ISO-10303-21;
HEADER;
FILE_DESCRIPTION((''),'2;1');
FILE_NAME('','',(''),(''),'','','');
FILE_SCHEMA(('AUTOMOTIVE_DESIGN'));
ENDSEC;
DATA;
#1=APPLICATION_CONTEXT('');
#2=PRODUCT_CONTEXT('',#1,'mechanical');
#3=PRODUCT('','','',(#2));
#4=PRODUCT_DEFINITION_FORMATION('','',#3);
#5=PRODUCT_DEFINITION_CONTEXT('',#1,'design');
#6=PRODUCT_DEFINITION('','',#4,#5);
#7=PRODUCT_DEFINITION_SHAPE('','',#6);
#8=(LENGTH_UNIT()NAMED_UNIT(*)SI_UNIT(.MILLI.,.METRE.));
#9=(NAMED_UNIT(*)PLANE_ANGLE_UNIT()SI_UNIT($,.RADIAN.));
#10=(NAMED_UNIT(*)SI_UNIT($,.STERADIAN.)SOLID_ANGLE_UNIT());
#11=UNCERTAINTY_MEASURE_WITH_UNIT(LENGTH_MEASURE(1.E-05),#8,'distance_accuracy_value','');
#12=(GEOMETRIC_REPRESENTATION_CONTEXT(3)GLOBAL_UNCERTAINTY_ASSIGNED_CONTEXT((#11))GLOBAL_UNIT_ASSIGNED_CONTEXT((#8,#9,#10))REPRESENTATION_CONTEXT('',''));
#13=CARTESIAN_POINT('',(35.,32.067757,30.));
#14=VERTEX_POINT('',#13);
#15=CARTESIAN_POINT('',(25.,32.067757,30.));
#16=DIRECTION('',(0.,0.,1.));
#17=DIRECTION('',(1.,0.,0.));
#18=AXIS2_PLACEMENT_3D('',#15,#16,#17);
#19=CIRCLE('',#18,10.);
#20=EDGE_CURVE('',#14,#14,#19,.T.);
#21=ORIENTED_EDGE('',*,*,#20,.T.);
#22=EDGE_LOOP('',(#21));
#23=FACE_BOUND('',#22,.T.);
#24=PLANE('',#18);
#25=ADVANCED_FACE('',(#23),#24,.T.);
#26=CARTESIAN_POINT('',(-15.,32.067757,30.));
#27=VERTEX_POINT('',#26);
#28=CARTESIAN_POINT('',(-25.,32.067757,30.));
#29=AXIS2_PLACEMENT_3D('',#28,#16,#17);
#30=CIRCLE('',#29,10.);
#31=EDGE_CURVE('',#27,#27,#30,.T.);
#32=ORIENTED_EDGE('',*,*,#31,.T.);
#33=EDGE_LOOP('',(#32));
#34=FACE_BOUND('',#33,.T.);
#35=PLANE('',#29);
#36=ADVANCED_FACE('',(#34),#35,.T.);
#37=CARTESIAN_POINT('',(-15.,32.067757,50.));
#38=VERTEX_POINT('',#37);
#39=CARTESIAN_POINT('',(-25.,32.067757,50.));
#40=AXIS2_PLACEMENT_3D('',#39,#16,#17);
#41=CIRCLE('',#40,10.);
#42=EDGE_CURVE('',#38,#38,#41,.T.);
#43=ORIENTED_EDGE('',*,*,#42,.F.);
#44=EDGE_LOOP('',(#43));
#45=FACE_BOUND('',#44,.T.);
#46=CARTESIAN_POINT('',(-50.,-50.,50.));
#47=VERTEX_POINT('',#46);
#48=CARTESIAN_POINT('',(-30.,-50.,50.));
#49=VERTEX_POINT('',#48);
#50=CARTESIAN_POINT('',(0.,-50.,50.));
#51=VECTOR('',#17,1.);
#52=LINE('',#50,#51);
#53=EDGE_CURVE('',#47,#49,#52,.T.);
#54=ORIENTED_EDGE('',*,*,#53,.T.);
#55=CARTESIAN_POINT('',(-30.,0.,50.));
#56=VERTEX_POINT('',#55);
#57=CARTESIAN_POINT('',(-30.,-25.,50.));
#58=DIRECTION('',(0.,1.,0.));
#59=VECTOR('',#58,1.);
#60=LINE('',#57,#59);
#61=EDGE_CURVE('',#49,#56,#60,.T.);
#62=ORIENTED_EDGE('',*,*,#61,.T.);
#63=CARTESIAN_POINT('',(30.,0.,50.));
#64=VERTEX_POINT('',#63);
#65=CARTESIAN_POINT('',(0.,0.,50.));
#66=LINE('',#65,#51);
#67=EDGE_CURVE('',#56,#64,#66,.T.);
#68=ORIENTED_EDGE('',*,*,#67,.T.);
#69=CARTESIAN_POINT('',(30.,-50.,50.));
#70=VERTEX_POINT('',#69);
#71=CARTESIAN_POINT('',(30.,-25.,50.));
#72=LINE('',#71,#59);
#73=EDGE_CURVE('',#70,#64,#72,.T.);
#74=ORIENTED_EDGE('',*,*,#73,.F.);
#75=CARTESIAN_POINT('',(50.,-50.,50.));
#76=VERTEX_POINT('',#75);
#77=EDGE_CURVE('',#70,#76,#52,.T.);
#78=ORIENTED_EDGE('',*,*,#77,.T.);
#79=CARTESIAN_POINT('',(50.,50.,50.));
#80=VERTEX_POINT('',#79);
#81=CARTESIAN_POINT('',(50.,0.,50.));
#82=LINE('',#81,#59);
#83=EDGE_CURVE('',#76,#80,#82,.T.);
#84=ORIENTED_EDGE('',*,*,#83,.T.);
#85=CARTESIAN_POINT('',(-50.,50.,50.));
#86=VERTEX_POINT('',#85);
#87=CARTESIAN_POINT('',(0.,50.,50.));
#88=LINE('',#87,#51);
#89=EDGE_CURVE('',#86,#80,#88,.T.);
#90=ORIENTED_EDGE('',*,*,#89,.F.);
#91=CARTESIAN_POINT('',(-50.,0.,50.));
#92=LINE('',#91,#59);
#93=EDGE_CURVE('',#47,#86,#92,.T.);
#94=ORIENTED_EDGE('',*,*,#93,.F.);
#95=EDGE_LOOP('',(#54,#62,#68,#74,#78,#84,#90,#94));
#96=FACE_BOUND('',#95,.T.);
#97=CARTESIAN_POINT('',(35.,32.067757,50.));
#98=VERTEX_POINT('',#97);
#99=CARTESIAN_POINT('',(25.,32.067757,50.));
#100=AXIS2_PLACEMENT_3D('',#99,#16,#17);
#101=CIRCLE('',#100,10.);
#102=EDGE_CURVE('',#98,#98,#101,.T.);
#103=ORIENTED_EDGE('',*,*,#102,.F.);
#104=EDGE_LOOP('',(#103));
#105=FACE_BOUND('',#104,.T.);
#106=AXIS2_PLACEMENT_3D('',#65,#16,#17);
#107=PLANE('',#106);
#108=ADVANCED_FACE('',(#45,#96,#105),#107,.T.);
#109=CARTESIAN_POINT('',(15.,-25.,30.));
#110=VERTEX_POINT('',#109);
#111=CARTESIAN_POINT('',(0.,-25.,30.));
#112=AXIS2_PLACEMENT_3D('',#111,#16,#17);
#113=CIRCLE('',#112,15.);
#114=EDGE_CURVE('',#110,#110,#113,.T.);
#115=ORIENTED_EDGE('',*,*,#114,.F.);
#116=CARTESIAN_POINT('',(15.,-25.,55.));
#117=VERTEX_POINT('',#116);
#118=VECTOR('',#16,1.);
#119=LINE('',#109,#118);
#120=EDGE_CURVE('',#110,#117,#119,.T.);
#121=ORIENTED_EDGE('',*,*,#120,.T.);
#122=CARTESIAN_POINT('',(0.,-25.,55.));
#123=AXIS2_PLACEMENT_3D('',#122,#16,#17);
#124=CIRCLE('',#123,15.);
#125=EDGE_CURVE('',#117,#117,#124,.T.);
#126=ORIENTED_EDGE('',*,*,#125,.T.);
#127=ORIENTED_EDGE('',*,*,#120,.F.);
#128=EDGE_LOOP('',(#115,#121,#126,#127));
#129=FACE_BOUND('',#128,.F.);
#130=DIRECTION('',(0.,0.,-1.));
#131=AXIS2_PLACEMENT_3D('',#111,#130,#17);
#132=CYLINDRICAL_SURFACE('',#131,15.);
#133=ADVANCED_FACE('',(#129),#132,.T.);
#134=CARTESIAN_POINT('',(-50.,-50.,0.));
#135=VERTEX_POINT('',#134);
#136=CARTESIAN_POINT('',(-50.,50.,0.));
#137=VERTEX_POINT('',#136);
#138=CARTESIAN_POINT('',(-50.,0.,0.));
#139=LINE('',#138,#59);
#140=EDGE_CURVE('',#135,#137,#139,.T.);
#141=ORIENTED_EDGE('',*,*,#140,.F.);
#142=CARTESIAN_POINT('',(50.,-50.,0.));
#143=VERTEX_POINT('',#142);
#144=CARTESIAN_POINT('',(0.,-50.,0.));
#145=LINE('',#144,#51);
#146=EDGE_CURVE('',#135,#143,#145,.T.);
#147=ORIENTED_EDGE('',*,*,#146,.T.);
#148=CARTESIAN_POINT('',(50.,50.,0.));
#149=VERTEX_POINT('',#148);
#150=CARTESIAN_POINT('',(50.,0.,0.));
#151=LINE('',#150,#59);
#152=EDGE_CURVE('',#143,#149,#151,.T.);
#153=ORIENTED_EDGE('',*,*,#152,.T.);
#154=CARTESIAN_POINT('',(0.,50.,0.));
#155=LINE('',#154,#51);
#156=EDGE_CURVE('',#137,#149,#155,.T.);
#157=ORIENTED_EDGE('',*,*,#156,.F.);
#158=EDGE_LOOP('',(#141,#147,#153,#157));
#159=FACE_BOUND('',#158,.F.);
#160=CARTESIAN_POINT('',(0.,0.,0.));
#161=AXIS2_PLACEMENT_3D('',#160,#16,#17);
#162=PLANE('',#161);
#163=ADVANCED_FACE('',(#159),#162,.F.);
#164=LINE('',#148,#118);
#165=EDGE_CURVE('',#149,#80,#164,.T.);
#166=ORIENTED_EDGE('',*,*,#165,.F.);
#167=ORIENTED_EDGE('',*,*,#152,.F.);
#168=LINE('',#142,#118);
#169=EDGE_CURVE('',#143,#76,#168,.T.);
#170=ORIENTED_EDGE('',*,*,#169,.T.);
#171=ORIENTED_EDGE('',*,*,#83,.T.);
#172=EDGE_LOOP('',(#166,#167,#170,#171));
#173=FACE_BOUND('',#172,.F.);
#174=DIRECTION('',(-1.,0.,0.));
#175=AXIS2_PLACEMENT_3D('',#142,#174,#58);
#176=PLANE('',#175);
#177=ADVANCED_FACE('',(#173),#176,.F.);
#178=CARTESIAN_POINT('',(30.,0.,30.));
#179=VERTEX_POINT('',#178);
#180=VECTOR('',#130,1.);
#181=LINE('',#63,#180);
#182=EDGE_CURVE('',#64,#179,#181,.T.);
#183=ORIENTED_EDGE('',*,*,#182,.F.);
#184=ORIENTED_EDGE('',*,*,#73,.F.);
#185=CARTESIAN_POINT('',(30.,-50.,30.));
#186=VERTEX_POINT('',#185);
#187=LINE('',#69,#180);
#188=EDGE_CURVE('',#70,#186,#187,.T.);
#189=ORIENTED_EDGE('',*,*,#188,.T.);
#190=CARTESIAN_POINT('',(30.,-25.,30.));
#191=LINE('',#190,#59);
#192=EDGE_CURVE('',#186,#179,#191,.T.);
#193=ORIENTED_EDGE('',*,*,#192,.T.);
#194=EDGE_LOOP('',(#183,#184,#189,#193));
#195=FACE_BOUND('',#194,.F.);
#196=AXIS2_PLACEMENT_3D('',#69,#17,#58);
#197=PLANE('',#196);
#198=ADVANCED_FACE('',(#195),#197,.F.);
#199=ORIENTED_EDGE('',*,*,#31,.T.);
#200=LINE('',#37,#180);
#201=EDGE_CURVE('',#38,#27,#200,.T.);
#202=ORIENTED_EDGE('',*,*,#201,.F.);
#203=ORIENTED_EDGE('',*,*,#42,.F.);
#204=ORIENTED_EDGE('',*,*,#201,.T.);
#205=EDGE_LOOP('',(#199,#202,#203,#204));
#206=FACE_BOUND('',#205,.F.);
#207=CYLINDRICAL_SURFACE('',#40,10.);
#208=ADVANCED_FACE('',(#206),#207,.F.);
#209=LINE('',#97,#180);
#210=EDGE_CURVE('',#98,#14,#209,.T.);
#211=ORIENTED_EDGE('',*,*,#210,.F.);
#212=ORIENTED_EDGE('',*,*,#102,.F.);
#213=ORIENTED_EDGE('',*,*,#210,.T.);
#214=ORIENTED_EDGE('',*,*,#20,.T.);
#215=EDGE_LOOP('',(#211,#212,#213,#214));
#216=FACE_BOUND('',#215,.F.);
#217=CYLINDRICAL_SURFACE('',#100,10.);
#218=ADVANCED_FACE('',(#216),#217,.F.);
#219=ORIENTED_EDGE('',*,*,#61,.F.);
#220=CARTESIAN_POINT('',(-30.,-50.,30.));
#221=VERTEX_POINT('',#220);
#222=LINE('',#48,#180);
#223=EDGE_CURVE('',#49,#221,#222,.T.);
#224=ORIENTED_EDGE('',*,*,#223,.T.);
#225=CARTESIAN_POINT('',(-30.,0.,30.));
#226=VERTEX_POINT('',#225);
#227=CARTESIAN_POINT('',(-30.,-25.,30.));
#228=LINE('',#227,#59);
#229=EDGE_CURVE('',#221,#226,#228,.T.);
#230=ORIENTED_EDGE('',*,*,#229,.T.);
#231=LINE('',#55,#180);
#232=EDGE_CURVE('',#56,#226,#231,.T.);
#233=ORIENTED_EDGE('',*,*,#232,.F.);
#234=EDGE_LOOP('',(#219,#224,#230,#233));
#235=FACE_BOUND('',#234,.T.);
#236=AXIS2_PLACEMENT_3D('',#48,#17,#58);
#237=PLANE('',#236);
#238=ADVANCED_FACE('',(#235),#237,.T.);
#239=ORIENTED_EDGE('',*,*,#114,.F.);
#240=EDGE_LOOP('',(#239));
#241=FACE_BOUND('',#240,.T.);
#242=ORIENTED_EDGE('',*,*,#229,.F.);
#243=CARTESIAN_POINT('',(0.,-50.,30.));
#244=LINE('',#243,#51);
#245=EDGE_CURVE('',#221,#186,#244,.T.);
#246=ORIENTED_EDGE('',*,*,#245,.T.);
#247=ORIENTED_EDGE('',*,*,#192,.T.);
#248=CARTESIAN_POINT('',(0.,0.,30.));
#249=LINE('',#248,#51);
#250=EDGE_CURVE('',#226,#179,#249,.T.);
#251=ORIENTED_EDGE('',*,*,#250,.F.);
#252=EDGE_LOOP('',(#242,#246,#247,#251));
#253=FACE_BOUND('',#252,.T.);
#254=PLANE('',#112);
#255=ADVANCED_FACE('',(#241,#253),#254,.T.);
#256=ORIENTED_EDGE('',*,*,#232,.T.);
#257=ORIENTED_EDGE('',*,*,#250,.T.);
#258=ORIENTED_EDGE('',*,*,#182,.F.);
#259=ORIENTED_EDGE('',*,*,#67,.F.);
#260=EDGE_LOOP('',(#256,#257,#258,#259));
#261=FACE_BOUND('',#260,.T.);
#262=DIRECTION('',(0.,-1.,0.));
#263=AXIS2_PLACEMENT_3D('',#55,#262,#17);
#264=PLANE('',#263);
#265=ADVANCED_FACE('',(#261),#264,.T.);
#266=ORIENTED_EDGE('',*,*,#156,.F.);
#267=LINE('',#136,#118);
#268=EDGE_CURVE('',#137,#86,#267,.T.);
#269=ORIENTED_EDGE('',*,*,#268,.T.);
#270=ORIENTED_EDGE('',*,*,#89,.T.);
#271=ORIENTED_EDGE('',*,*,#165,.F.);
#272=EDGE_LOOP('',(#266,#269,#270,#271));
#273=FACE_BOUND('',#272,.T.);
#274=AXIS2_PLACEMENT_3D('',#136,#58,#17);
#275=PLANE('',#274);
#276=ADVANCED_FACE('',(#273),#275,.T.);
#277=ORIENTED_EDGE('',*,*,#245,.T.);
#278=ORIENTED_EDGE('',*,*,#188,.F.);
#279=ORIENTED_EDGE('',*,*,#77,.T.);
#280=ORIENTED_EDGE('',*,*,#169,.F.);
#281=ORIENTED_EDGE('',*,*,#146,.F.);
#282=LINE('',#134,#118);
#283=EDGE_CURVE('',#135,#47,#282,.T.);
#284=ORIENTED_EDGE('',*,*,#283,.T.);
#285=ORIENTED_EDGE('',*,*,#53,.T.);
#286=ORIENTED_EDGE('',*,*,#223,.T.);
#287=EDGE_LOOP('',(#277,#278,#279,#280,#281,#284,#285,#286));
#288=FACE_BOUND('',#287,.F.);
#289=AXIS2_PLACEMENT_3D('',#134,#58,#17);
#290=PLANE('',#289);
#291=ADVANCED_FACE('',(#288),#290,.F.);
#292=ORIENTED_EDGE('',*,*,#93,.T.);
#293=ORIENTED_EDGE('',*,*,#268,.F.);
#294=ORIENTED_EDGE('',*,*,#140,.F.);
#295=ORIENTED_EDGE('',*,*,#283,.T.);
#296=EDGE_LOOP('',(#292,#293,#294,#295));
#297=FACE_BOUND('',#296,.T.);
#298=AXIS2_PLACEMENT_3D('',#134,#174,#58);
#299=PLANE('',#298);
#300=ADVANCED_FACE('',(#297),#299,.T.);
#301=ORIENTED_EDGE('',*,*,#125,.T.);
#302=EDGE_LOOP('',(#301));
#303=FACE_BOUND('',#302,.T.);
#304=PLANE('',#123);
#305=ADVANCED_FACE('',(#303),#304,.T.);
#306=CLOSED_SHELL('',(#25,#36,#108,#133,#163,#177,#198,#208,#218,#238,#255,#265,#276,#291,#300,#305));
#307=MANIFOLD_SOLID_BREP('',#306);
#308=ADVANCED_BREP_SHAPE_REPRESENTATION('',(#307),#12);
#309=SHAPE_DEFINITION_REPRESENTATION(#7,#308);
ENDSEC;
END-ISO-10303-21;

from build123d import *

# Parameters (mm, degrees)
F0_W     = 100
F0_H     = 100
F1_DEPTH = 50
F2_W     = 60
F2_H     = 50
F2_R     = 10
F3_DEPTH = 20
F4_R     = 15
F5_DEPTH = 25


with BuildPart() as f1:
    # F0 (on Top) → F1 (new body)
    with BuildSketch(Plane.XY):
        Rectangle(F0_W, F0_H)
    extrude(amount=F1_DEPTH)

    # F2 (on face) → F3 (cut)
    with BuildSketch(Plane.XY.offset(50)):
        with Locations((0, -25)):
            Rectangle(F2_W, F2_H)
        with Locations((-25, 32.067757)):
            Circle(F2_R)
        with Locations((25, 32.067757)):
            Circle(F2_R)
    extrude(amount=-F3_DEPTH, mode=Mode.SUBTRACT)

    # F4 (on face) → F5 (join)
    with BuildSketch(Plane.XY.offset(30)):
        with Locations((0, -25)):
            Circle(F4_R)
    extrude(amount=F5_DEPTH)


solid = f1.part
